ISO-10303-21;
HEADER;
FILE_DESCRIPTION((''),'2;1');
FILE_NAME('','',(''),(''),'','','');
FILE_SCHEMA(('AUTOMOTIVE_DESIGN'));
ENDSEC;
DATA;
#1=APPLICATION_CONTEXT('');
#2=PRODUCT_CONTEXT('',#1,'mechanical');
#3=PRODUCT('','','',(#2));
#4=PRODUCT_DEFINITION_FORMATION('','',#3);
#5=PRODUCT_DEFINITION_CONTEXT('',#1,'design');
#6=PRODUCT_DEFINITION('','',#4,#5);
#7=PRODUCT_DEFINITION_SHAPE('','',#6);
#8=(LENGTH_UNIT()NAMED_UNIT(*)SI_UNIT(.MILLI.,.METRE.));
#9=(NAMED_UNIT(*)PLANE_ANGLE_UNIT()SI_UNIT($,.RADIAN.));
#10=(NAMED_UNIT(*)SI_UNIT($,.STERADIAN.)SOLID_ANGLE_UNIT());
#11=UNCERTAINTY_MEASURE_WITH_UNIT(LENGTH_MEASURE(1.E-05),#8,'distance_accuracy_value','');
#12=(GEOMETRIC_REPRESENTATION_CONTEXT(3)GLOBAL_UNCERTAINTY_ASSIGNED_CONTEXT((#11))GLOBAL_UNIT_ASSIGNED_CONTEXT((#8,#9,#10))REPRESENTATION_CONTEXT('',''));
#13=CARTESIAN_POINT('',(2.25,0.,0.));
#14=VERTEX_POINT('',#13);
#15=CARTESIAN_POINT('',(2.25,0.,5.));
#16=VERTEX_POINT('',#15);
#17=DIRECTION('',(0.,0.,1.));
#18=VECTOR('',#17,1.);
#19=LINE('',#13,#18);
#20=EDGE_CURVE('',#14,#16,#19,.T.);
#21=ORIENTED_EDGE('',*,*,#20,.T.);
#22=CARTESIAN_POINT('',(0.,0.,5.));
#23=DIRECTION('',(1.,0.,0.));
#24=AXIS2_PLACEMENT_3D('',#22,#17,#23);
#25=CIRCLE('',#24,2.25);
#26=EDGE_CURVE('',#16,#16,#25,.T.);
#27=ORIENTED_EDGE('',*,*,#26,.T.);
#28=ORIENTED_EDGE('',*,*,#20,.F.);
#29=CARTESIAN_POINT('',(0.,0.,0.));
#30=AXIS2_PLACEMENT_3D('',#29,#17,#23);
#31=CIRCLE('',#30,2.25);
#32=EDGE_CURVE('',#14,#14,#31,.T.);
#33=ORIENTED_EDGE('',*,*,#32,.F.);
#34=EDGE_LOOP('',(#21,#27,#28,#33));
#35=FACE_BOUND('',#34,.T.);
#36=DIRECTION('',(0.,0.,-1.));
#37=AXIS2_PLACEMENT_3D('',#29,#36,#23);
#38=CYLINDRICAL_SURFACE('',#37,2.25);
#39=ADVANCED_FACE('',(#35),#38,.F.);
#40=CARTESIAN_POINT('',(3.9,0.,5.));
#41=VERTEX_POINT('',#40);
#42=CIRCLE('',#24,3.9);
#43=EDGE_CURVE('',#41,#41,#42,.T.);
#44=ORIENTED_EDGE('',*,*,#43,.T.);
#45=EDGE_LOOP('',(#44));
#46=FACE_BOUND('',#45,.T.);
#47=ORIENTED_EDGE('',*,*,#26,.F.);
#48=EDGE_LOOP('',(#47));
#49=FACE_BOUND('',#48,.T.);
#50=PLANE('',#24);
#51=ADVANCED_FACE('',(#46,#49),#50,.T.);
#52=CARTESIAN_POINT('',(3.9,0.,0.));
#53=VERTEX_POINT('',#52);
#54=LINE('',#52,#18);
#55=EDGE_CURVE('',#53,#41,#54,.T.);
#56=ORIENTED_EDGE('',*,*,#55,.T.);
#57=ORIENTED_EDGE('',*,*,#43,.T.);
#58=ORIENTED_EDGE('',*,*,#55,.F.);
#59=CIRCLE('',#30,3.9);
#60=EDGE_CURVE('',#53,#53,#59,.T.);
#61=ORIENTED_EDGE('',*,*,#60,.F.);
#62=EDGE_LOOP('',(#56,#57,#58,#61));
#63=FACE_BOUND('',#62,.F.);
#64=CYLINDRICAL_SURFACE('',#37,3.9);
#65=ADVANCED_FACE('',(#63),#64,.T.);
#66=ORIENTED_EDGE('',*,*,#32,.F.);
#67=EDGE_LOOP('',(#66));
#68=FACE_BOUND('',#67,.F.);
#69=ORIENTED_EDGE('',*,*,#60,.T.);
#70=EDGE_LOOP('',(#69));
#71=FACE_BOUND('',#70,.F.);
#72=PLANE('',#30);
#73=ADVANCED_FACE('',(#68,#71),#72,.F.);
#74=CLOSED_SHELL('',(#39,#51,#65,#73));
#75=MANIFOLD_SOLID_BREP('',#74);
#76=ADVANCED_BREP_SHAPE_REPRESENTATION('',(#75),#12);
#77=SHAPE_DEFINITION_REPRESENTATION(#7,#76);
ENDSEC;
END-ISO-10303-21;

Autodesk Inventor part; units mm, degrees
ref_plane "YZ Plane" through (0, 0, 0) normal (1, 0, 0) x (0, 1, 0)
ref_plane "XZ Plane" through (0, 0, 0) normal (0, 1, 0) x (-1, 0, 0)
ref_plane "XY Plane" through (0, 0, 0) normal (0, 0, 1) x (1, 0, 0)
sketch "Эскиз1" plane through (0, 0, 0) normal (0, 0, 1) x (1, 0, 0)
  circle A0 centre (0, 0) radius 3.9
  circle A1 centre (0, 0) radius 2.25
  dimension "d0" = 7.8
  dimension "d1" = 4.5
extrude "Выдавливание1" add sketch "Эскиз1" along normal blind 5
properties part number "Втулка между подшипниками рулевого управления"
